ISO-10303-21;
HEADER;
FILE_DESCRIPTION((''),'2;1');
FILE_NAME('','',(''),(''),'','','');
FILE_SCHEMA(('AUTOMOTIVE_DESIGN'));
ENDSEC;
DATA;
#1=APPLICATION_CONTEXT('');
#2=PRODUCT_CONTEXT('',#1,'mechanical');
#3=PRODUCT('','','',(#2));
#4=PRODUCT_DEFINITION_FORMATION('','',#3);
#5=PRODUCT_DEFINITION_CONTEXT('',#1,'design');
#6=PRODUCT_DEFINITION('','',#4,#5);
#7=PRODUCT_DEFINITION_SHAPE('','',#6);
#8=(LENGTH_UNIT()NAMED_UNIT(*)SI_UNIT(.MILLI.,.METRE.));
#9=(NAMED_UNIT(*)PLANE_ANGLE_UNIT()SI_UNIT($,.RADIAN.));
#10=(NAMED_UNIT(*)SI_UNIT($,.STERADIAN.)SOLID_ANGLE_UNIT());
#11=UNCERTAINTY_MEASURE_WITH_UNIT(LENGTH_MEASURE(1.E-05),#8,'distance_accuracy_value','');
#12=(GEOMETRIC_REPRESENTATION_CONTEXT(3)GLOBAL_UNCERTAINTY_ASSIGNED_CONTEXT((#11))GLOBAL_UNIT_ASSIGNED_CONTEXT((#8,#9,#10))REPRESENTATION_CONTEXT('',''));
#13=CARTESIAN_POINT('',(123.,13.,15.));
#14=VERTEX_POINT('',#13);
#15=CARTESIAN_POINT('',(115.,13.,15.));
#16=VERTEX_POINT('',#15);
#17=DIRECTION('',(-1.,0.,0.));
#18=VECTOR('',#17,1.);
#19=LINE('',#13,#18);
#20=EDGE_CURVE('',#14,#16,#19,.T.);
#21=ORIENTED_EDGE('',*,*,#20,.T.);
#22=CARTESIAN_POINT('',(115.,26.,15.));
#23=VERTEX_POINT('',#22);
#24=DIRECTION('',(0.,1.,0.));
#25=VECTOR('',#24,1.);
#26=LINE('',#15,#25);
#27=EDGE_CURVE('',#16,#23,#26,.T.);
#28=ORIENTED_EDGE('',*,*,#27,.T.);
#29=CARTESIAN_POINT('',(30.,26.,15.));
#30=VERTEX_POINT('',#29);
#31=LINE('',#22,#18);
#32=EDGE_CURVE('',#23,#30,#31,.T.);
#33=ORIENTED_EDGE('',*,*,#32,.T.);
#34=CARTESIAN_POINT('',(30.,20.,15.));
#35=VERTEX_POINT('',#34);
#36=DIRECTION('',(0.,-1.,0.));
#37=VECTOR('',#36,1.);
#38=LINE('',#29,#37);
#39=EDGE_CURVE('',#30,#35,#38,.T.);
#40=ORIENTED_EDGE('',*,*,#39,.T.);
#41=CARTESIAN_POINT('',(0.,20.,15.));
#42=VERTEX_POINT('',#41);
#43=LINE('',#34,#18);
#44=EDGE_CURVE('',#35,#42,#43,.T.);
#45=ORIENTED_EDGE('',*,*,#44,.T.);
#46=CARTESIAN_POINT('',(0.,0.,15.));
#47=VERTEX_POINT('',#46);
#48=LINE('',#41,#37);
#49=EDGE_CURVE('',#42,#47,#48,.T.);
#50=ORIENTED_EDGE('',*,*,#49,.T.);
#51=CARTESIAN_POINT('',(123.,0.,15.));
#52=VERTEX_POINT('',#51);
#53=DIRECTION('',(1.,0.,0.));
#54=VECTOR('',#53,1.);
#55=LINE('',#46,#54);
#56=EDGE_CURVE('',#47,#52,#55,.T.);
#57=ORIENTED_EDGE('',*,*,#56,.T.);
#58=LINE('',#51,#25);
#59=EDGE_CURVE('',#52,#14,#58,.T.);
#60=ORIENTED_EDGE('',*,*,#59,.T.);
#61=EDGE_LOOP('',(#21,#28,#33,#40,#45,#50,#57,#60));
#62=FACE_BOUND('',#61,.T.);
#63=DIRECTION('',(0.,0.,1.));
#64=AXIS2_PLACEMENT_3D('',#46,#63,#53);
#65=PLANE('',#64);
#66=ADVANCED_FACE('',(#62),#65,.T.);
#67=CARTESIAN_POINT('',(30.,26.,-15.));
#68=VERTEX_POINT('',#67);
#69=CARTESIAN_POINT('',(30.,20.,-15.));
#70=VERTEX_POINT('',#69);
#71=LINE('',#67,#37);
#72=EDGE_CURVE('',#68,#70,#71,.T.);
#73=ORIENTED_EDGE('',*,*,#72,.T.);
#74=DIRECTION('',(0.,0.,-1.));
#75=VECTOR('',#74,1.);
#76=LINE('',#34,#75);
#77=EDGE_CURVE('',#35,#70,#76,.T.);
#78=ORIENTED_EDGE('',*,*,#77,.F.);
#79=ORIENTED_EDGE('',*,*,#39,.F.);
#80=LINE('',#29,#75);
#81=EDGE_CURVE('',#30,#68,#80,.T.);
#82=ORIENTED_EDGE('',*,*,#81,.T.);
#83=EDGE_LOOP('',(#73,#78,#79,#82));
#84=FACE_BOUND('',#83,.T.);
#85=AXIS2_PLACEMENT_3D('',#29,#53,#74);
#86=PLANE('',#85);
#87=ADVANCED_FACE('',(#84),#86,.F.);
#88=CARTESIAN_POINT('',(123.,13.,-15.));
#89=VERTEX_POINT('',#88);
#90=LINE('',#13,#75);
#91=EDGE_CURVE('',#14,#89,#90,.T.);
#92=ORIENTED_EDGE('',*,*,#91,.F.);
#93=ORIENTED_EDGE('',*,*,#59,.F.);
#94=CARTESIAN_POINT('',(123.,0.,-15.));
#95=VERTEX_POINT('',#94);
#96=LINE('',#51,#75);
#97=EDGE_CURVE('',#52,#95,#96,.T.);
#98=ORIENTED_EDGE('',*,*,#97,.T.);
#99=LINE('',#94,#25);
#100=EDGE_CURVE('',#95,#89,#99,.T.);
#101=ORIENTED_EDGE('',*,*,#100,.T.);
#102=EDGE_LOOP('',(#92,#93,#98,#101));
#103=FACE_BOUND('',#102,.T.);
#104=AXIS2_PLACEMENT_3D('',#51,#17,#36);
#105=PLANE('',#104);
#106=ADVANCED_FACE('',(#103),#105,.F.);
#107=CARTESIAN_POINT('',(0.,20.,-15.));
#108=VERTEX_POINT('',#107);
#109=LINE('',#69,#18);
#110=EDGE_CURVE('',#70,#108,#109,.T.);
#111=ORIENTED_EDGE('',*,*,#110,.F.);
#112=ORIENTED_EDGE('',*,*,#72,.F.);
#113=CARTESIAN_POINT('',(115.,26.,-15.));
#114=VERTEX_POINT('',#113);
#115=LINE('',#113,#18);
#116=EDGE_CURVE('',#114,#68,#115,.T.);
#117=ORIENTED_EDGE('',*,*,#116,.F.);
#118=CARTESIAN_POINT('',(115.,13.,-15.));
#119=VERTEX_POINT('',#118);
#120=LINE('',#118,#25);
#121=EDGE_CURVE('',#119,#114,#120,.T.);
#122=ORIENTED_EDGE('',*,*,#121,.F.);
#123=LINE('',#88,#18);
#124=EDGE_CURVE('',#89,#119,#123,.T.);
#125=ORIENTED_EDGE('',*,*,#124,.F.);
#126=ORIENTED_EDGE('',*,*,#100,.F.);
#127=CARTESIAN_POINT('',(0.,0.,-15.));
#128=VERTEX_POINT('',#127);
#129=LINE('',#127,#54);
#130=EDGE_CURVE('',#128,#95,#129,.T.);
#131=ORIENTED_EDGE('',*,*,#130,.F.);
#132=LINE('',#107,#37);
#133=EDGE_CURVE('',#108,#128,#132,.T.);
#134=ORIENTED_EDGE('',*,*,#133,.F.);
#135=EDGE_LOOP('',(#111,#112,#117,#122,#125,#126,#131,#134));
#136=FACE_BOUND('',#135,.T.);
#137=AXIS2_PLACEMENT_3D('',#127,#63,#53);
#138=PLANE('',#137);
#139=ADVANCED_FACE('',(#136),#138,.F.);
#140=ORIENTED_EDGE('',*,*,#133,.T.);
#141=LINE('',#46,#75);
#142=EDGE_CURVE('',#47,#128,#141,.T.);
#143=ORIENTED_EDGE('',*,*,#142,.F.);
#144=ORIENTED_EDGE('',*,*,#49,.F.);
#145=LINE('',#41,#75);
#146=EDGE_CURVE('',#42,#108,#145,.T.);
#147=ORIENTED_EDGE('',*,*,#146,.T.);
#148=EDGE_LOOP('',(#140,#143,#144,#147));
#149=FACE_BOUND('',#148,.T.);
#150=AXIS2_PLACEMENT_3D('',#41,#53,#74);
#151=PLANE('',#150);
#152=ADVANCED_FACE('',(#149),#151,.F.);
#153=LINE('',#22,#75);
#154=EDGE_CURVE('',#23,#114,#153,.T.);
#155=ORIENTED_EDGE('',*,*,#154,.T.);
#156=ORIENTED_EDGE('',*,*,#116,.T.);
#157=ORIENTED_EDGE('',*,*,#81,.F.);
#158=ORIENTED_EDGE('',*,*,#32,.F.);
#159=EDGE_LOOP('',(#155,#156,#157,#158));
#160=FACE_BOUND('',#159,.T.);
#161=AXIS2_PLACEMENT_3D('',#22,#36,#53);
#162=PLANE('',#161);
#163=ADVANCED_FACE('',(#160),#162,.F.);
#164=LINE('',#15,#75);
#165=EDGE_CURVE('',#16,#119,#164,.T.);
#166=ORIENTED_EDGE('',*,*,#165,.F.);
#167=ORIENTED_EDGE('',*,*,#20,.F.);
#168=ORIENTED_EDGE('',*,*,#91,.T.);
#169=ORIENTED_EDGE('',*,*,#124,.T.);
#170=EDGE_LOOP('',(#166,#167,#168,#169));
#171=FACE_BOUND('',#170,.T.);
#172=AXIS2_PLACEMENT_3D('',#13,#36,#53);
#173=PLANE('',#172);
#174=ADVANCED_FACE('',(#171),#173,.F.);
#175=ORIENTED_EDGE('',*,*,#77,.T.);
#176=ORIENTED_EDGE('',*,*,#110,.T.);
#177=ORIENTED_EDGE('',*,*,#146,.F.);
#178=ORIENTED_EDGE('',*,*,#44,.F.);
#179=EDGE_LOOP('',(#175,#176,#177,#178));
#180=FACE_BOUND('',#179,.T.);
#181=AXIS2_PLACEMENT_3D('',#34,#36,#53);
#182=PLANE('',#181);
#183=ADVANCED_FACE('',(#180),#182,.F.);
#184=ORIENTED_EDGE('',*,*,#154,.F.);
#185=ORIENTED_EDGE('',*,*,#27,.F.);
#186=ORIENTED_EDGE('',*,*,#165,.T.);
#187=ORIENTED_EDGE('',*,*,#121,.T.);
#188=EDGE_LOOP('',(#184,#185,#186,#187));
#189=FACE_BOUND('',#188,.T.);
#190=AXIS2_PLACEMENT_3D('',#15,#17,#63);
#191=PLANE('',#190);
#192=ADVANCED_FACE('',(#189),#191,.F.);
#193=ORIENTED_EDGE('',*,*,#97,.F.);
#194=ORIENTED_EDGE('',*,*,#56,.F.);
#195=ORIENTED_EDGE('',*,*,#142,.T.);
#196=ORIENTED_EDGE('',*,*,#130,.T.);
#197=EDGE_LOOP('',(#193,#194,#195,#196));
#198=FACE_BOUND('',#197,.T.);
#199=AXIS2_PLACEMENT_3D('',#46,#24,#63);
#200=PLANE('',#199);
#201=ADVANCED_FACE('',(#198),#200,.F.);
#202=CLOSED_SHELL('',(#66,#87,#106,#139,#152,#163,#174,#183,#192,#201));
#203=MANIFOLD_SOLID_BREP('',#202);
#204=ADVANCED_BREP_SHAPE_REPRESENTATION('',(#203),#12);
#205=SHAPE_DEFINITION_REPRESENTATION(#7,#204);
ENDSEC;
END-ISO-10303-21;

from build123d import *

# Parameters (mm, degrees)
ESTRUSIONE_ESTRUSIONE1_DEPTH = 15


with BuildPart() as part:
    # Schizzo1 → Estrusione-Estrusione1 (new, symmetric)
    with BuildSketch(Plane.XY):
        Polygon((0, 0), (123, 0), (123, 13), (115, 13), (115, 26), (30, 26), (30, 20), (0, 20), align=None)
    extrude(amount=ESTRUSIONE_ESTRUSIONE1_DEPTH, both=True)


solid = part.part
